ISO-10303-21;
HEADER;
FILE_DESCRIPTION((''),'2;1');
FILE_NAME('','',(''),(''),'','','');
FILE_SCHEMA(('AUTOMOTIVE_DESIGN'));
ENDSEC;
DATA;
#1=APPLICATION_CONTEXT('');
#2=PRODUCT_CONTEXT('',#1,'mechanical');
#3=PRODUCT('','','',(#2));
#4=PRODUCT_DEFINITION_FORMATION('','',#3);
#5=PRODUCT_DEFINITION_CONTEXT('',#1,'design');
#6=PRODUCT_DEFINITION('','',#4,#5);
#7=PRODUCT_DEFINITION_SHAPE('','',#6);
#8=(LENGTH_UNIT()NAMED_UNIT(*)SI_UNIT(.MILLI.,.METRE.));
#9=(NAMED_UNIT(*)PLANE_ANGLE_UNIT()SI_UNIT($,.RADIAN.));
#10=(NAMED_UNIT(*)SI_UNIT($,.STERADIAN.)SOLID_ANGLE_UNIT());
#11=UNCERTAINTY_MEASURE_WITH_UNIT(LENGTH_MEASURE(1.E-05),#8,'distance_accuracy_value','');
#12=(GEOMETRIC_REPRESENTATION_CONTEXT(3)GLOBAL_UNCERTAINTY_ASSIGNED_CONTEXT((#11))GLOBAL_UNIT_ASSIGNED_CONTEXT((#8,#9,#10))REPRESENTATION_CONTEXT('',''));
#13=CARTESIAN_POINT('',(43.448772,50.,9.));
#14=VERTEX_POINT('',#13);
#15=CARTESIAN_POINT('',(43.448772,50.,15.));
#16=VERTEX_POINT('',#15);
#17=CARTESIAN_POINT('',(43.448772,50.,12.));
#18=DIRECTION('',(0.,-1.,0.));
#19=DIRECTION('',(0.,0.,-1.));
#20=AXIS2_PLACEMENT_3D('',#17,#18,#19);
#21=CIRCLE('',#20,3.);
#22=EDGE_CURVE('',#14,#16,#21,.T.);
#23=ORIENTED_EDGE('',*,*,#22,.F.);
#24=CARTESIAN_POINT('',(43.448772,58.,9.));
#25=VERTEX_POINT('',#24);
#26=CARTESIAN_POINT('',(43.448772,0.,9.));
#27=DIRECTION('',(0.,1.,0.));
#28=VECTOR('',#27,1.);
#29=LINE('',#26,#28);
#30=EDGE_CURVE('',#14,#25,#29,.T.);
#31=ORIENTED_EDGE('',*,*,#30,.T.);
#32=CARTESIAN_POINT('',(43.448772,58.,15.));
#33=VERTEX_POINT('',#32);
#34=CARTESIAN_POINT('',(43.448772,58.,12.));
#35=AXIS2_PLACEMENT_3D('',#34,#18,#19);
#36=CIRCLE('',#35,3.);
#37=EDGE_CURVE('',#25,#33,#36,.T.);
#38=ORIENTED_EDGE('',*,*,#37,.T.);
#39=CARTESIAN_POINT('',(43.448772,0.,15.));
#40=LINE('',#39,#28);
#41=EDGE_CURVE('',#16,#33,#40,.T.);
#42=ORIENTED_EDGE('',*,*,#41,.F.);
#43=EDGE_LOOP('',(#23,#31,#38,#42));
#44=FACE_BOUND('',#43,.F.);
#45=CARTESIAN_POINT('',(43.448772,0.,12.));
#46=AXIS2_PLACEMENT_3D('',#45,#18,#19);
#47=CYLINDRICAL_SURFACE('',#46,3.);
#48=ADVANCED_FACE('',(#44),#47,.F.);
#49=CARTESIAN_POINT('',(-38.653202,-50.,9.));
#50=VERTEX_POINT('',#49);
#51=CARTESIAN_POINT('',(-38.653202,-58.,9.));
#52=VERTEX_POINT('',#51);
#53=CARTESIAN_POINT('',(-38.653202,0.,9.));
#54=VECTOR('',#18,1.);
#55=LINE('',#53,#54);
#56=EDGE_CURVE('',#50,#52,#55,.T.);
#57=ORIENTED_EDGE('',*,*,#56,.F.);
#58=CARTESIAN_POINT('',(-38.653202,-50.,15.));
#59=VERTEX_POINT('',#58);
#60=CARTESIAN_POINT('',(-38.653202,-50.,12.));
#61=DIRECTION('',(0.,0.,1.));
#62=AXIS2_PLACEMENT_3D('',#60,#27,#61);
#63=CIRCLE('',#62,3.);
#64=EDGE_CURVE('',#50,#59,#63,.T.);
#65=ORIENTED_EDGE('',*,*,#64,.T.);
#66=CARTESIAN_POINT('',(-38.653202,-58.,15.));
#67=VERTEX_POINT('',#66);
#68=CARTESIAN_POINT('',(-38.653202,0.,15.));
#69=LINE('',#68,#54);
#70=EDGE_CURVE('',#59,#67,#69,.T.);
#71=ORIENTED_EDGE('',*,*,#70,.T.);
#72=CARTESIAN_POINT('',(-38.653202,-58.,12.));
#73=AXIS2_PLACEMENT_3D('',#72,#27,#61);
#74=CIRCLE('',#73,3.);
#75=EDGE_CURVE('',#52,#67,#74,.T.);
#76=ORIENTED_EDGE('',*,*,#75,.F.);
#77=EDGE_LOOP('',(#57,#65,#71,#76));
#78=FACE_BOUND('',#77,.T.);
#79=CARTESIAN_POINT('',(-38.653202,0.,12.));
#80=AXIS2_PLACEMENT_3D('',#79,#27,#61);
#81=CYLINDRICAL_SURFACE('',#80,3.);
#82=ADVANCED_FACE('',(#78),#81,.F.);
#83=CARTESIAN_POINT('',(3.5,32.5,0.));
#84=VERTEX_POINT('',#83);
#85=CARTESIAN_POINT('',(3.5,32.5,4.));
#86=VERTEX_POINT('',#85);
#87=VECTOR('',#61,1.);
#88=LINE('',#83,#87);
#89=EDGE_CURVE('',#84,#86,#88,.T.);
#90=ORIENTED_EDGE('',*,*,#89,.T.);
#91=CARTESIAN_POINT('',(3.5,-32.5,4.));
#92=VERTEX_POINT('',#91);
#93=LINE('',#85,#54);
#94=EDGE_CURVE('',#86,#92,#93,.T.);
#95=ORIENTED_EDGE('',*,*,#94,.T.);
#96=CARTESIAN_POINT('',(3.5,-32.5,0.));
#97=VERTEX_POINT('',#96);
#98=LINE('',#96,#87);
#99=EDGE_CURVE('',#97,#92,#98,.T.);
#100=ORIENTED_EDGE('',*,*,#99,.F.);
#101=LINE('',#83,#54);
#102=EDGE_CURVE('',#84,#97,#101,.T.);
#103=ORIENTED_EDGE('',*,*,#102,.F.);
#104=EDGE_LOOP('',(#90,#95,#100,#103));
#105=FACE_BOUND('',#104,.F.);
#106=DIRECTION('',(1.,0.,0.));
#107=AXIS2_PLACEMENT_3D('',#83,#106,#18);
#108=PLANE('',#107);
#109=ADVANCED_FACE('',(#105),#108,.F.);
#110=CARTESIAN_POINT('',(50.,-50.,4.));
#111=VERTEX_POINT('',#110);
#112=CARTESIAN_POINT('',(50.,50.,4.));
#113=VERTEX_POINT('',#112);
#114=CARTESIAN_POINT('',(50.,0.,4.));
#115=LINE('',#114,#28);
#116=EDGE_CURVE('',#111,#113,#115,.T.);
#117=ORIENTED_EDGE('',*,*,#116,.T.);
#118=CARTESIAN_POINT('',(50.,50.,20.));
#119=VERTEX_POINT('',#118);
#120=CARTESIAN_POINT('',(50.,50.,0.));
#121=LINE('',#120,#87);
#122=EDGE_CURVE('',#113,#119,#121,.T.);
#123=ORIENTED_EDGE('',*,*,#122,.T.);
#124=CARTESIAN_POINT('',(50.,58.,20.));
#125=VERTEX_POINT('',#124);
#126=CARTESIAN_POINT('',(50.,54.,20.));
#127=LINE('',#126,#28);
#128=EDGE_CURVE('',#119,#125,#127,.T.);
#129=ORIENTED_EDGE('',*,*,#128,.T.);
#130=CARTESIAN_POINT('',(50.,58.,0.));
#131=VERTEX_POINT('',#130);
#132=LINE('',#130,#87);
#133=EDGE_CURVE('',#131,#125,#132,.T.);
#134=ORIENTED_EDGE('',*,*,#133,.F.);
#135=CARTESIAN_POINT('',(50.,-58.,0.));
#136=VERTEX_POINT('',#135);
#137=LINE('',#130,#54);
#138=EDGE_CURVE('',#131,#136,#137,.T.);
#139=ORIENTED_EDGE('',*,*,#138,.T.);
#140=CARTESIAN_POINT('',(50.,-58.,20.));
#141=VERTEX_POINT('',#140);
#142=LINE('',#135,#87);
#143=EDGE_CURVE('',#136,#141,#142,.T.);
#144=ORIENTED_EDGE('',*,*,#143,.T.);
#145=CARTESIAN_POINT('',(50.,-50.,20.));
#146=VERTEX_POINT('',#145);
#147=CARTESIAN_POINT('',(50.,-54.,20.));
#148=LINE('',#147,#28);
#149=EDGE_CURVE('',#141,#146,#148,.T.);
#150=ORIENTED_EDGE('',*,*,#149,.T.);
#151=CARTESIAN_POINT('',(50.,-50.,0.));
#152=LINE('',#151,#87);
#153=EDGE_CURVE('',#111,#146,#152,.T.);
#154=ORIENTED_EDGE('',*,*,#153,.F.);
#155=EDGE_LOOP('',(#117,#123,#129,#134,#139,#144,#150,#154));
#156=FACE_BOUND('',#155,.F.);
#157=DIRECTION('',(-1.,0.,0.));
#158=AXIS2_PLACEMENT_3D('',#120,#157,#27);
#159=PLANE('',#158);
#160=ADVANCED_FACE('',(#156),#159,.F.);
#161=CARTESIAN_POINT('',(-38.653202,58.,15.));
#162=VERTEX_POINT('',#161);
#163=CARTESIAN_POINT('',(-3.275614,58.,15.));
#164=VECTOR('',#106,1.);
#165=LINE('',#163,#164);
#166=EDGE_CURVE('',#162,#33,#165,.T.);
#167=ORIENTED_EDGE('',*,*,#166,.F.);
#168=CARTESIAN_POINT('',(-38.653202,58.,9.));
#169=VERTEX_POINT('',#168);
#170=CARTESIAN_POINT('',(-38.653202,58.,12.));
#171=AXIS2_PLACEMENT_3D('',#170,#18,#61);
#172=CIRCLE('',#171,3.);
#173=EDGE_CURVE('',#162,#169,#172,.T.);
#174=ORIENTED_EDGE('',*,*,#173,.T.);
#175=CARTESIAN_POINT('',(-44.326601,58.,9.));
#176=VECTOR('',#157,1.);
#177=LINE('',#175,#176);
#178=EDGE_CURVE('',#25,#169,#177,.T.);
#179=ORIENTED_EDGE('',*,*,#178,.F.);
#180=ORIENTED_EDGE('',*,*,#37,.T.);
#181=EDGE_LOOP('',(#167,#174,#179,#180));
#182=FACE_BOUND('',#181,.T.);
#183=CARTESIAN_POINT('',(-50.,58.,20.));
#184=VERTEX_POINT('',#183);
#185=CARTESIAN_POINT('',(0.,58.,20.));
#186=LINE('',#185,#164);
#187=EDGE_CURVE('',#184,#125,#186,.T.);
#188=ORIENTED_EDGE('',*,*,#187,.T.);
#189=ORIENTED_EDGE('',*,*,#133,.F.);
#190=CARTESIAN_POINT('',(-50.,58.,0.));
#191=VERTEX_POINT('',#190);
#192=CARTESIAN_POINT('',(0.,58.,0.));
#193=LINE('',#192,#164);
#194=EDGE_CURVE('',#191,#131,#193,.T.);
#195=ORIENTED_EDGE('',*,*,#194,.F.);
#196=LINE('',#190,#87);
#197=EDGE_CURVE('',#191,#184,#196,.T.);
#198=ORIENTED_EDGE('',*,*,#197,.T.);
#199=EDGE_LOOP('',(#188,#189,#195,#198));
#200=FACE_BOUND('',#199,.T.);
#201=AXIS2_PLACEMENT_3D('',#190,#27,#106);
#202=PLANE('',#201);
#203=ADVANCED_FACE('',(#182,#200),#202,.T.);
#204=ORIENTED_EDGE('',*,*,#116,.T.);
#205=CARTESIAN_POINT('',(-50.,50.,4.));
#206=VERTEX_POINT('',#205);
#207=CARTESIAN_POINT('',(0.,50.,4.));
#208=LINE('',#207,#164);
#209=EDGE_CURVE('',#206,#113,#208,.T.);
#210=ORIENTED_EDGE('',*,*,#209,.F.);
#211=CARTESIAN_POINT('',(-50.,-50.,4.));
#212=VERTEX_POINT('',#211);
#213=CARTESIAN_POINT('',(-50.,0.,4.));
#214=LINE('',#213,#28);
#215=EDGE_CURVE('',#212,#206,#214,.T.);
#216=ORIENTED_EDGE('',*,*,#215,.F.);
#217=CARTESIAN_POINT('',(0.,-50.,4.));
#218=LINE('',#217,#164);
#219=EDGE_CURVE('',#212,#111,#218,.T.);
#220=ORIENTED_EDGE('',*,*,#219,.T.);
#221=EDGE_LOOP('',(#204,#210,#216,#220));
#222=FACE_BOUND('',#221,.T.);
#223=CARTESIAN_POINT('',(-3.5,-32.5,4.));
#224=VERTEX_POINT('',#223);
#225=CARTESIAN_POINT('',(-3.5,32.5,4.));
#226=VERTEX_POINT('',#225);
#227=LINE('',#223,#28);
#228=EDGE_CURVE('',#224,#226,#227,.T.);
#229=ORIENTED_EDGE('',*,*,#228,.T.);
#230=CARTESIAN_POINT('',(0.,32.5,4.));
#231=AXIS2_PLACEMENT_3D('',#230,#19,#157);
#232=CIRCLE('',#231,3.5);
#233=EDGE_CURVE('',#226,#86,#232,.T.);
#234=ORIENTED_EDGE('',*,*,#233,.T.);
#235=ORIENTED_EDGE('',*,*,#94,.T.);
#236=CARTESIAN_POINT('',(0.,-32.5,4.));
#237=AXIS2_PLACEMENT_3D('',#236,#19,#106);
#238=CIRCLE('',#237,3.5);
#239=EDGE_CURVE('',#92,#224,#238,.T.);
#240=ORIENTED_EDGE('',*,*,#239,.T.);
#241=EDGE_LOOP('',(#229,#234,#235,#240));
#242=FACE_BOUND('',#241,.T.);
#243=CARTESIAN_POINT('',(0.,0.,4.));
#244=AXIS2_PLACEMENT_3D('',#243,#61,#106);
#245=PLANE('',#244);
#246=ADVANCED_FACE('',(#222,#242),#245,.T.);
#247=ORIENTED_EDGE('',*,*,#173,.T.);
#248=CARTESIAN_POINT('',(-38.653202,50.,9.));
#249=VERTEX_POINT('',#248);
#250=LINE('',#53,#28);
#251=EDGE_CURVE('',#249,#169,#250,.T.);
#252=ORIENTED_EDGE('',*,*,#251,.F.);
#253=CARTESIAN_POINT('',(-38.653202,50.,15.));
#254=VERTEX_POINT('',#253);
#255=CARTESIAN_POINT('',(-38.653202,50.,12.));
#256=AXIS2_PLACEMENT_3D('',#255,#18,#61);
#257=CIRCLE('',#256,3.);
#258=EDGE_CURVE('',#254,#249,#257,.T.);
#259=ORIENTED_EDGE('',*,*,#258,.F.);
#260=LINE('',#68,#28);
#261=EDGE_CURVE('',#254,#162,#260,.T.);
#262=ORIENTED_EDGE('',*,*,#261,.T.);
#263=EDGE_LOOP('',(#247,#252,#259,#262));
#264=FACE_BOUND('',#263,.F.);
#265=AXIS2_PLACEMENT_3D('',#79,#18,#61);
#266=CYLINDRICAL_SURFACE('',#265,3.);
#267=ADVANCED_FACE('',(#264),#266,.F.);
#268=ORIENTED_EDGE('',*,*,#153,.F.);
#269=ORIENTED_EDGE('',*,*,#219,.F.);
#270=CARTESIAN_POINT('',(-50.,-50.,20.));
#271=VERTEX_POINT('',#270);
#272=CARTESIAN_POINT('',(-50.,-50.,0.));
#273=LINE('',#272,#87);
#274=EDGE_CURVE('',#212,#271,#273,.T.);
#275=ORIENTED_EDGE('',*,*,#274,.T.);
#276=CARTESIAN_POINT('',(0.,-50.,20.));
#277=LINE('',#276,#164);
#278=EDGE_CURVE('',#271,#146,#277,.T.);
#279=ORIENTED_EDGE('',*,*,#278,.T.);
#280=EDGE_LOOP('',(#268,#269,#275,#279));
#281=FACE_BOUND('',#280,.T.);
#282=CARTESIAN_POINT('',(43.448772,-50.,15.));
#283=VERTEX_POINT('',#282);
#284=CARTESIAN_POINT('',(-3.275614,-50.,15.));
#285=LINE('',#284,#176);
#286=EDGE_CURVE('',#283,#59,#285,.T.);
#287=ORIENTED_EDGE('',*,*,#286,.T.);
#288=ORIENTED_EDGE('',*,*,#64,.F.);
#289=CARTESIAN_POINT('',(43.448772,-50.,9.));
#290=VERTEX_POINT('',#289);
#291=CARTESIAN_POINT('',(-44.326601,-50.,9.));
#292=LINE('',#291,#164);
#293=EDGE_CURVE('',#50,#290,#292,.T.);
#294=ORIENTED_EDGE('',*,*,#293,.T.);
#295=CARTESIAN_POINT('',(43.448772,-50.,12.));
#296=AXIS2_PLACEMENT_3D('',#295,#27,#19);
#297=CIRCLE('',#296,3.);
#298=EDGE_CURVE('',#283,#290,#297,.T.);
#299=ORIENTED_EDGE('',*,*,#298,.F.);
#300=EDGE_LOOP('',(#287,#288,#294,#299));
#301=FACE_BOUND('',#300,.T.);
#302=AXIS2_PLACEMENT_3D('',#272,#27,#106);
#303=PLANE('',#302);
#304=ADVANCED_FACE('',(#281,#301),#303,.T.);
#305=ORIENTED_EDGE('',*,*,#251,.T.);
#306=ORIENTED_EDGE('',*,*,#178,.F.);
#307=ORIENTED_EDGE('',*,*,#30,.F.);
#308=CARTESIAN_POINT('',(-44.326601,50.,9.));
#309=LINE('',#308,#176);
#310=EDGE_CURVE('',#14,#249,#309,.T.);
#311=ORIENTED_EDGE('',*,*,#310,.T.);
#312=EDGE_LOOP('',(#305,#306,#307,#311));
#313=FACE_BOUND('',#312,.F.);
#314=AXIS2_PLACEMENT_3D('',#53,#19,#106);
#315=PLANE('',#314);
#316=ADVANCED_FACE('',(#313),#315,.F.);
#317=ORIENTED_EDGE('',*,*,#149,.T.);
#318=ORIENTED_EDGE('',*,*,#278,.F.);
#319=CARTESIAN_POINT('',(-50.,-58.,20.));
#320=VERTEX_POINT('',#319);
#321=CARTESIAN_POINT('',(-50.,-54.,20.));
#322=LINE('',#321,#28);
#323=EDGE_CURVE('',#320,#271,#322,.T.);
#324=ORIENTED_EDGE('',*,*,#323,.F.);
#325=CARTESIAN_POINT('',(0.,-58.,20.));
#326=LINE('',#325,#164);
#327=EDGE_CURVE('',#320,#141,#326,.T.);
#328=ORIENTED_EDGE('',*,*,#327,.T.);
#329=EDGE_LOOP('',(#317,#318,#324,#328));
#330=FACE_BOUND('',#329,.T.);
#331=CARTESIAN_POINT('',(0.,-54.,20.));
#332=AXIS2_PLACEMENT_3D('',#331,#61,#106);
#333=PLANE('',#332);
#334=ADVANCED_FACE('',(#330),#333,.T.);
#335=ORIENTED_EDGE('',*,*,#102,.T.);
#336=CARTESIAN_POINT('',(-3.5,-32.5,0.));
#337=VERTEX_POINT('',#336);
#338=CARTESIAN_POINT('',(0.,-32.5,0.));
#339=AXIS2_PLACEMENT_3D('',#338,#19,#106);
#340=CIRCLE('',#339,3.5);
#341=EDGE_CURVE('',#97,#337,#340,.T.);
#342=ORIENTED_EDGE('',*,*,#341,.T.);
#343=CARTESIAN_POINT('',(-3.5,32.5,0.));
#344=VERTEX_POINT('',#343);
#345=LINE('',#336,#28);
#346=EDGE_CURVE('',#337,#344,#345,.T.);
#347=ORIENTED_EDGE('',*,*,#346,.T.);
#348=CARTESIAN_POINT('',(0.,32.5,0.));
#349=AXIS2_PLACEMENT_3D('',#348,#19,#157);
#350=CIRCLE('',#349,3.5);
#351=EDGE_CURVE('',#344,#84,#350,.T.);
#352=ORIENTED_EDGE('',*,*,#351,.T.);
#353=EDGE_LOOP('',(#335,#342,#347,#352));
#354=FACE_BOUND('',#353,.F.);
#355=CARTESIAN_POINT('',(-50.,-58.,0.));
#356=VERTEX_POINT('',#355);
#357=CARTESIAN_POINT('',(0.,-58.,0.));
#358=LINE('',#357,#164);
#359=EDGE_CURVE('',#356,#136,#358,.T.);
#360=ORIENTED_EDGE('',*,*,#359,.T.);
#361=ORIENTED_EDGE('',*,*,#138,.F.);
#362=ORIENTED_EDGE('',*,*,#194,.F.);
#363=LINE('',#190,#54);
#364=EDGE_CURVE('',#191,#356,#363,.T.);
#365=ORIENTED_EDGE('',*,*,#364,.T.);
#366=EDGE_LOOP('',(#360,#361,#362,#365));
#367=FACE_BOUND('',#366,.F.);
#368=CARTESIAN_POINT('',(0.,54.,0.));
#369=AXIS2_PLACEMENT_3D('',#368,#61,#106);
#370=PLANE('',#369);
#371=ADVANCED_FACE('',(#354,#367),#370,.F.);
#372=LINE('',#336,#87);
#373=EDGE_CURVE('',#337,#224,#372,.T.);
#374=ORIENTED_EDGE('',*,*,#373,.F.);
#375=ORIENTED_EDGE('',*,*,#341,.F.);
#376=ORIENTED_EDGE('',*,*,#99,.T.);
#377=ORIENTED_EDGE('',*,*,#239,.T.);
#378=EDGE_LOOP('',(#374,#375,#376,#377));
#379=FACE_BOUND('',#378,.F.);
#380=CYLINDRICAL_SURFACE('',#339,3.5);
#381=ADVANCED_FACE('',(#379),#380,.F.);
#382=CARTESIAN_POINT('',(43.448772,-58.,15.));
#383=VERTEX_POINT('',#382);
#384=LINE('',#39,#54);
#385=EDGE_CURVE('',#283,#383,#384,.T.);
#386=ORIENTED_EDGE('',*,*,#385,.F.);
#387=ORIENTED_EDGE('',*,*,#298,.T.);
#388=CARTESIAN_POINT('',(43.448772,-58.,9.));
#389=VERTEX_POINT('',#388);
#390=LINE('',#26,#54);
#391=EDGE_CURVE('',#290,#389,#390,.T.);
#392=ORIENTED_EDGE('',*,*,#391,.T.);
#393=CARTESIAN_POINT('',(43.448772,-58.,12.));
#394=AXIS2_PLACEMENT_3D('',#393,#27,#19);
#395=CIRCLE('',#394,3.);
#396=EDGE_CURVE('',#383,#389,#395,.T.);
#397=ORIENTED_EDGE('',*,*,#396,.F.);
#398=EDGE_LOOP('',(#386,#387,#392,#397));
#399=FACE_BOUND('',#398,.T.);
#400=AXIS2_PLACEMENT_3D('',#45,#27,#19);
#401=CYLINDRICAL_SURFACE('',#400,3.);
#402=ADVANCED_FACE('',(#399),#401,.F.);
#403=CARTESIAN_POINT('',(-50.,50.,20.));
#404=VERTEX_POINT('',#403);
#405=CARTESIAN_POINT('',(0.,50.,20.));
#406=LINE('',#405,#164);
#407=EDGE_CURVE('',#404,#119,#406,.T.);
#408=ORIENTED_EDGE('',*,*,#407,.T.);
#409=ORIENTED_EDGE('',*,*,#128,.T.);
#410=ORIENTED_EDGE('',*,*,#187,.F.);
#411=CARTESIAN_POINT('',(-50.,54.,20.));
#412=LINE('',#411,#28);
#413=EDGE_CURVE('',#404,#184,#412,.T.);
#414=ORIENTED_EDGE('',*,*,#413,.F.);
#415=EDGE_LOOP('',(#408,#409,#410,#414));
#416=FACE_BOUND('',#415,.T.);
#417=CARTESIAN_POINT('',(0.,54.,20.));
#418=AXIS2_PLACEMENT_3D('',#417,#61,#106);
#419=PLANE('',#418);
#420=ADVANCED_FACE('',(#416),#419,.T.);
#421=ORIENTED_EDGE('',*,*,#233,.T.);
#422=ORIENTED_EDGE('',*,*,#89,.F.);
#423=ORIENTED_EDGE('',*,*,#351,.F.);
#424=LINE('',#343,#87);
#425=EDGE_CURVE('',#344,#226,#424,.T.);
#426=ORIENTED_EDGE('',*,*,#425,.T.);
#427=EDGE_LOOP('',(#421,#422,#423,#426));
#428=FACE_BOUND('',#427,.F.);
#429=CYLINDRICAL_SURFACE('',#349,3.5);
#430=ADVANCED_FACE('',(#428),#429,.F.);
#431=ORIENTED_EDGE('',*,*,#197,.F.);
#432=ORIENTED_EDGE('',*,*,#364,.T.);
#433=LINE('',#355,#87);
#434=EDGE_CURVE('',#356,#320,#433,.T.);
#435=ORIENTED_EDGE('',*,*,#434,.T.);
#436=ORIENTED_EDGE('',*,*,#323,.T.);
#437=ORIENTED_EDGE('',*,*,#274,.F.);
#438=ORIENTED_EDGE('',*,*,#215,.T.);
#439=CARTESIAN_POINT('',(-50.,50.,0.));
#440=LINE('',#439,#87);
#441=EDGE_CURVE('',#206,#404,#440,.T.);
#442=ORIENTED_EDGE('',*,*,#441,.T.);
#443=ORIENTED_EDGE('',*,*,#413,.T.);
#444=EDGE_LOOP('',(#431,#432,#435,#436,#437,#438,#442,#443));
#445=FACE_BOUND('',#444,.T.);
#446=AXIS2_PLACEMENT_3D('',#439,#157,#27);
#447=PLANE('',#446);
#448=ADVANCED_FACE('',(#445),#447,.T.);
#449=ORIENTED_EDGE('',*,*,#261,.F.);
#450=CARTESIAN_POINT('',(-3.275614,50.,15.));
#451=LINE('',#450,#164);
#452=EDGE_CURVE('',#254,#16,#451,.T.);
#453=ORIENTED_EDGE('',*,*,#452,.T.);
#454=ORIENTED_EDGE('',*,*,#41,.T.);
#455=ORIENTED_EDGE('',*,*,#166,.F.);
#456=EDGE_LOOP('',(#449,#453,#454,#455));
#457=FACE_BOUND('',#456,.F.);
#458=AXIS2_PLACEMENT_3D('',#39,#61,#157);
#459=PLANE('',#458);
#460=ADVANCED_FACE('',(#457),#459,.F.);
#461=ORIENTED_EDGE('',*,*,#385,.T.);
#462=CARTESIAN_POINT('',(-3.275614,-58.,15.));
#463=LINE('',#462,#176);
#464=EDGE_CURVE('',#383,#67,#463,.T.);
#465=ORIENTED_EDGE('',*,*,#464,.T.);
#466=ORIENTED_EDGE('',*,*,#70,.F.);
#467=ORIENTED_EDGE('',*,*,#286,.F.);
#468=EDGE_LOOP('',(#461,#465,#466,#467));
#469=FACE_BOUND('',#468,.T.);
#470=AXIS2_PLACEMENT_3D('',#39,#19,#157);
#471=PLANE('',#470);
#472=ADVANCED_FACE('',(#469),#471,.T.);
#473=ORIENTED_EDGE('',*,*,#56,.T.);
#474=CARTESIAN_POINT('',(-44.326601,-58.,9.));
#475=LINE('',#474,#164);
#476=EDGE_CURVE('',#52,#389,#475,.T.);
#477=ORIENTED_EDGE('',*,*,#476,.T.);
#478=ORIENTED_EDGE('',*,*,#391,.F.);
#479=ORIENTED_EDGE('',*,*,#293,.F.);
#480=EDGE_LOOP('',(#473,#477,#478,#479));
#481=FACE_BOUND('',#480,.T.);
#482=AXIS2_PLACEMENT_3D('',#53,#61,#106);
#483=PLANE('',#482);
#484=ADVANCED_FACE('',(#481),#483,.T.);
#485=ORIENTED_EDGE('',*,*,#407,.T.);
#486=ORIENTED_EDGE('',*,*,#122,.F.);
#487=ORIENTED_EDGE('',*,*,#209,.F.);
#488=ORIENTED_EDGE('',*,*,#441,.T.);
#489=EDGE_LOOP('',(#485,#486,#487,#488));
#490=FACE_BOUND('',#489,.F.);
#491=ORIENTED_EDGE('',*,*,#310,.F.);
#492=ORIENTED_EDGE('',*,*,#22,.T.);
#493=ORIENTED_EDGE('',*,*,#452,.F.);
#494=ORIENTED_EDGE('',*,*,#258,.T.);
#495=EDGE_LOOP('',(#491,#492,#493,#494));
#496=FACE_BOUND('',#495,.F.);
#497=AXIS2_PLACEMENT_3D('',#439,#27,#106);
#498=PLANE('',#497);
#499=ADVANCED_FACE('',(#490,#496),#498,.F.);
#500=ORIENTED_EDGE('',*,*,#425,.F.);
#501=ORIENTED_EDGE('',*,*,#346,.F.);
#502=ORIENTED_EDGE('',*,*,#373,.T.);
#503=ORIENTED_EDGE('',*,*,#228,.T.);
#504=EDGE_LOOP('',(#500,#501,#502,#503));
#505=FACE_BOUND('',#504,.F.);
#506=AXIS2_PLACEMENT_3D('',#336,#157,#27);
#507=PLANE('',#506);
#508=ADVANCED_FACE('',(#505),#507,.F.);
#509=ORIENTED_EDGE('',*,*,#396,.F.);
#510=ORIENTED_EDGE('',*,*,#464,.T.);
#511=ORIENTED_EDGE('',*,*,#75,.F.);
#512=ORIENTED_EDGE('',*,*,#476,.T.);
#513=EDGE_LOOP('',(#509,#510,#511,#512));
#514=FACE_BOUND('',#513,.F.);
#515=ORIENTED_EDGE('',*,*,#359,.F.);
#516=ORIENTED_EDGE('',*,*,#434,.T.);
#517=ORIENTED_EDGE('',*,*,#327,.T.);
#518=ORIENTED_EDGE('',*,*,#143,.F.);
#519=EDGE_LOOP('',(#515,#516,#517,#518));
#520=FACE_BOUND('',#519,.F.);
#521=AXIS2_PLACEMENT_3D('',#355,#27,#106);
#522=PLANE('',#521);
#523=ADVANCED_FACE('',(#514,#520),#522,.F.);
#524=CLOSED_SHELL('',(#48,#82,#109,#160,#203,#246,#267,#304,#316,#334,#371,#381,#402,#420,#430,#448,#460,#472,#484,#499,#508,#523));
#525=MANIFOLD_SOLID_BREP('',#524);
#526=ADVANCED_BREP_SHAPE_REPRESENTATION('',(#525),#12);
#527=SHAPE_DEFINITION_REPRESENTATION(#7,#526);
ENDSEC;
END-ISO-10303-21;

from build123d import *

# Parameters (mm, degrees)
F0_W          = 100
F0_H          = 100
F1_DEPTH      = 4
F2_W          = 100
F2_H          = 8
F3_DEPTH      = 20
F5_DEPTH      = 58.001
F5_DEPTH_BACK = 58.001


with BuildPart() as f1:
    # F0 (on Top) → F1 (new body)
    with BuildSketch(Plane.XY):
        Rectangle(F0_W, F0_H)
        with BuildLine():
            Line((3.5, 32.5), (3.5, -32.5))
            ThreePointArc((3.5, -32.5), (0, -36), (-3.5, -32.5))
            Line((-3.5, -32.5), (-3.5, 32.5))
            ThreePointArc((-3.5, 32.5), (0, 36), (3.5, 32.5))
        make_face(mode=Mode.SUBTRACT)
    extrude(amount=F1_DEPTH)

    # F2 (on Top) → F3 (join)
    with BuildSketch(Plane.XY):
        with Locations((0, 54)):
            Rectangle(F2_W, F2_H)
        with Locations((0, -54)):
            Rectangle(F2_W, F2_H)
    extrude(amount=F3_DEPTH)

    # F4 (on Front) → F5 (cut, two sides)
    with BuildSketch(Plane.XZ) as f5_sk:
        with BuildLine():
            ThreePointArc((-38.6532023549, 15), (-41.6532023549, 12), (-38.6532023549, 9))
            Line((-38.6532023549, 9), (43.4487722814, 9))
            ThreePointArc((43.4487722814, 9), (46.4487722814, 12), (43.4487722814, 15))
            Line((43.4487722814, 15), (-38.6532023549, 15))
        make_face()
    extrude(amount=-F5_DEPTH, mode=Mode.SUBTRACT)
    extrude(f5_sk.sketch, amount=F5_DEPTH_BACK, mode=Mode.SUBTRACT)


solid = f1.part
